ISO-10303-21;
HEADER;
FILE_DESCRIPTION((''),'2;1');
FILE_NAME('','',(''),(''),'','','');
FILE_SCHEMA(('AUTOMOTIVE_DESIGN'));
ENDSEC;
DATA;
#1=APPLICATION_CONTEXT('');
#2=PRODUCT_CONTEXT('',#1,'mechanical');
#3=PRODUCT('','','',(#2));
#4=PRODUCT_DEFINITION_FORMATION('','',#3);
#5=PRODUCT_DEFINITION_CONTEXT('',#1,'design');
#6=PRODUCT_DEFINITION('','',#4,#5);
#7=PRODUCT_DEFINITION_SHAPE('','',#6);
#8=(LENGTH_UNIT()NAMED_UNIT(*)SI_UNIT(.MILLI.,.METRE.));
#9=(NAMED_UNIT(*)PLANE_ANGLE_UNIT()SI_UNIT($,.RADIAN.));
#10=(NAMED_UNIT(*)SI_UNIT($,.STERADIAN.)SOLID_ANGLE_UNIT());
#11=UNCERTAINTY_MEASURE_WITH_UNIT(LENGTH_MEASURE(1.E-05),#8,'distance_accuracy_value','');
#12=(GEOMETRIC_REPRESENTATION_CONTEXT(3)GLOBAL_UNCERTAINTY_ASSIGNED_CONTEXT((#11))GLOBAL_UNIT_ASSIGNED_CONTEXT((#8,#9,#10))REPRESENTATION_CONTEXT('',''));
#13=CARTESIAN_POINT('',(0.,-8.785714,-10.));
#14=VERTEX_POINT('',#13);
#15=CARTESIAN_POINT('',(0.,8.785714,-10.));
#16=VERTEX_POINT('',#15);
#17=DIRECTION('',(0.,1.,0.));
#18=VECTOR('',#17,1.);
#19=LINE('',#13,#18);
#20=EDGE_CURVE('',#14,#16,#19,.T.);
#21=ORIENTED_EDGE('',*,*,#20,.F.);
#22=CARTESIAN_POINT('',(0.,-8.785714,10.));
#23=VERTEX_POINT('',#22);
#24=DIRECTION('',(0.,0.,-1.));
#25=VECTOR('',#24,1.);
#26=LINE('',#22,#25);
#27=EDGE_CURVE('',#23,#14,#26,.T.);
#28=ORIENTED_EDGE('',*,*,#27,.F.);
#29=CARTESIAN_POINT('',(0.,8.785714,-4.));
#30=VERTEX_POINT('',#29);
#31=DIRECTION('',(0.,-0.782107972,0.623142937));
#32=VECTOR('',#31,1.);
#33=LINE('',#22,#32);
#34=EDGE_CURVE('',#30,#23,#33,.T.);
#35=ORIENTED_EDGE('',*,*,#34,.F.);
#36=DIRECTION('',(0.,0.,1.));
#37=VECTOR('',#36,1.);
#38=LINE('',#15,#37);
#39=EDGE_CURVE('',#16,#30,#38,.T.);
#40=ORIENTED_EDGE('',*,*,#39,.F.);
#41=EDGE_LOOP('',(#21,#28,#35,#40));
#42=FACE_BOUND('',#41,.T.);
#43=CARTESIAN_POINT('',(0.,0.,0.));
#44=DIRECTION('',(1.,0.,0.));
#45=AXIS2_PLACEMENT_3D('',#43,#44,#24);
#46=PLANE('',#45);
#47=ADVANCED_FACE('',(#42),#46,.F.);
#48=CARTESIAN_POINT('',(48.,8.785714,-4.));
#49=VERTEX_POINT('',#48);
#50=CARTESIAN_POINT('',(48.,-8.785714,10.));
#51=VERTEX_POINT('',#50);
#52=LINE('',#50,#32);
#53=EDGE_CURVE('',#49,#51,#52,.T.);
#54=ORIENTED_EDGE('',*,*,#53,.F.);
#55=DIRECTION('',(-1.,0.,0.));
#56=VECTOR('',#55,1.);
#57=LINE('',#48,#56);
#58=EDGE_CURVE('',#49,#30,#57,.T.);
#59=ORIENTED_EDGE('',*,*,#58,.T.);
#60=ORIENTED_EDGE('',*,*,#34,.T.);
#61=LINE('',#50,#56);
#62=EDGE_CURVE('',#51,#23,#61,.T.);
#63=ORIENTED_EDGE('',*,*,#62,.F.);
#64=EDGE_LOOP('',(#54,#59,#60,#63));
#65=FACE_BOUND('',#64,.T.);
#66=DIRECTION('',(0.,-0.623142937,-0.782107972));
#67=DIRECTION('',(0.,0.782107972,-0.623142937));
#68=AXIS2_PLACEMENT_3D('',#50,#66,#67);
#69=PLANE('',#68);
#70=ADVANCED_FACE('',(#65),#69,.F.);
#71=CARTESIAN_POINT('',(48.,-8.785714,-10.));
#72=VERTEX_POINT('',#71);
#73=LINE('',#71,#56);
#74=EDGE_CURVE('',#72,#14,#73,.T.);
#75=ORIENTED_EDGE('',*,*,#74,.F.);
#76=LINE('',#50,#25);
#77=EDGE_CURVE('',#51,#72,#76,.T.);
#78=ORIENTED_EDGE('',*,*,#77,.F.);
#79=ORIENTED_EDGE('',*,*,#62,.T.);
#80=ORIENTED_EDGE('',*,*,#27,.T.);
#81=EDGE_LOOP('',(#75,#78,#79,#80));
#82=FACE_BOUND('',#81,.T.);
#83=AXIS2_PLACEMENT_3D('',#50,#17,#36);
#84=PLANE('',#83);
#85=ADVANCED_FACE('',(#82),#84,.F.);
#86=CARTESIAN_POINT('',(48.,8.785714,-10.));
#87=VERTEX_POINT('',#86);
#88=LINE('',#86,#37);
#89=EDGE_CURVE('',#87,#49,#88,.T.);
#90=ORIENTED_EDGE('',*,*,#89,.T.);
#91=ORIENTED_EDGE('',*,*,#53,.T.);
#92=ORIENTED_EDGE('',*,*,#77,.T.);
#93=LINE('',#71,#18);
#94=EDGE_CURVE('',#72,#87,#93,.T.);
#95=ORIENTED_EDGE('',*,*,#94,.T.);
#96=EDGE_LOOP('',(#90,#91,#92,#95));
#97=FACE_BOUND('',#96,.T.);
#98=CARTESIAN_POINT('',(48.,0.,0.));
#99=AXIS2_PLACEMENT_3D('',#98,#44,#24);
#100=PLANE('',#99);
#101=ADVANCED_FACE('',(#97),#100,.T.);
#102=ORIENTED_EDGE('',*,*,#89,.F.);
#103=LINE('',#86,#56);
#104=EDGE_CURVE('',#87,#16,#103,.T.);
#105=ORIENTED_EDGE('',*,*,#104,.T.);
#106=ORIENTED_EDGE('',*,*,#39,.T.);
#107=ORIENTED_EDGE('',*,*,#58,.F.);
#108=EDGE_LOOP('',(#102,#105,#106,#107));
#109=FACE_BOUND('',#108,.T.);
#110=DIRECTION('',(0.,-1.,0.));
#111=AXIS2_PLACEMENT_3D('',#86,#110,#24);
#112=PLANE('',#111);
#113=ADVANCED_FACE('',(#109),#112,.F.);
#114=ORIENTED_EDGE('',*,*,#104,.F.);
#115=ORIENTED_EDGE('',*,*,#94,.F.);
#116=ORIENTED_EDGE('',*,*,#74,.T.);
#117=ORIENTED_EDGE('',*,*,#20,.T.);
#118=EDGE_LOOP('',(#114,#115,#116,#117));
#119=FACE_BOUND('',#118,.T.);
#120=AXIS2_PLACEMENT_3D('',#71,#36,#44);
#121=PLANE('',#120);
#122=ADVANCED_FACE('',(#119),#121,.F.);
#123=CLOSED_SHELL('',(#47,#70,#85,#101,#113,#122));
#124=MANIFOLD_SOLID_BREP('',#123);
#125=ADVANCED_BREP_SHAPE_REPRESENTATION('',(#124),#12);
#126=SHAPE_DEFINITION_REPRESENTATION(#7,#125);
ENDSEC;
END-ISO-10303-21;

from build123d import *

# Parameters (mm, degrees)
EXTRUDE_1_DEPTH = 48


with BuildPart() as part:
    # 草圖1 → 填料-伸長1 (new body)
    with BuildSketch(Plane(origin=(0, 0, 0), x_dir=(0, 0, -1), z_dir=(1, 0, 0))):
        Polygon((10, 8.785714286), (4, 8.785714286), (-10, -8.785714286), (10, -8.785714286), align=None)
    extrude(amount=EXTRUDE_1_DEPTH)


solid = part.part
